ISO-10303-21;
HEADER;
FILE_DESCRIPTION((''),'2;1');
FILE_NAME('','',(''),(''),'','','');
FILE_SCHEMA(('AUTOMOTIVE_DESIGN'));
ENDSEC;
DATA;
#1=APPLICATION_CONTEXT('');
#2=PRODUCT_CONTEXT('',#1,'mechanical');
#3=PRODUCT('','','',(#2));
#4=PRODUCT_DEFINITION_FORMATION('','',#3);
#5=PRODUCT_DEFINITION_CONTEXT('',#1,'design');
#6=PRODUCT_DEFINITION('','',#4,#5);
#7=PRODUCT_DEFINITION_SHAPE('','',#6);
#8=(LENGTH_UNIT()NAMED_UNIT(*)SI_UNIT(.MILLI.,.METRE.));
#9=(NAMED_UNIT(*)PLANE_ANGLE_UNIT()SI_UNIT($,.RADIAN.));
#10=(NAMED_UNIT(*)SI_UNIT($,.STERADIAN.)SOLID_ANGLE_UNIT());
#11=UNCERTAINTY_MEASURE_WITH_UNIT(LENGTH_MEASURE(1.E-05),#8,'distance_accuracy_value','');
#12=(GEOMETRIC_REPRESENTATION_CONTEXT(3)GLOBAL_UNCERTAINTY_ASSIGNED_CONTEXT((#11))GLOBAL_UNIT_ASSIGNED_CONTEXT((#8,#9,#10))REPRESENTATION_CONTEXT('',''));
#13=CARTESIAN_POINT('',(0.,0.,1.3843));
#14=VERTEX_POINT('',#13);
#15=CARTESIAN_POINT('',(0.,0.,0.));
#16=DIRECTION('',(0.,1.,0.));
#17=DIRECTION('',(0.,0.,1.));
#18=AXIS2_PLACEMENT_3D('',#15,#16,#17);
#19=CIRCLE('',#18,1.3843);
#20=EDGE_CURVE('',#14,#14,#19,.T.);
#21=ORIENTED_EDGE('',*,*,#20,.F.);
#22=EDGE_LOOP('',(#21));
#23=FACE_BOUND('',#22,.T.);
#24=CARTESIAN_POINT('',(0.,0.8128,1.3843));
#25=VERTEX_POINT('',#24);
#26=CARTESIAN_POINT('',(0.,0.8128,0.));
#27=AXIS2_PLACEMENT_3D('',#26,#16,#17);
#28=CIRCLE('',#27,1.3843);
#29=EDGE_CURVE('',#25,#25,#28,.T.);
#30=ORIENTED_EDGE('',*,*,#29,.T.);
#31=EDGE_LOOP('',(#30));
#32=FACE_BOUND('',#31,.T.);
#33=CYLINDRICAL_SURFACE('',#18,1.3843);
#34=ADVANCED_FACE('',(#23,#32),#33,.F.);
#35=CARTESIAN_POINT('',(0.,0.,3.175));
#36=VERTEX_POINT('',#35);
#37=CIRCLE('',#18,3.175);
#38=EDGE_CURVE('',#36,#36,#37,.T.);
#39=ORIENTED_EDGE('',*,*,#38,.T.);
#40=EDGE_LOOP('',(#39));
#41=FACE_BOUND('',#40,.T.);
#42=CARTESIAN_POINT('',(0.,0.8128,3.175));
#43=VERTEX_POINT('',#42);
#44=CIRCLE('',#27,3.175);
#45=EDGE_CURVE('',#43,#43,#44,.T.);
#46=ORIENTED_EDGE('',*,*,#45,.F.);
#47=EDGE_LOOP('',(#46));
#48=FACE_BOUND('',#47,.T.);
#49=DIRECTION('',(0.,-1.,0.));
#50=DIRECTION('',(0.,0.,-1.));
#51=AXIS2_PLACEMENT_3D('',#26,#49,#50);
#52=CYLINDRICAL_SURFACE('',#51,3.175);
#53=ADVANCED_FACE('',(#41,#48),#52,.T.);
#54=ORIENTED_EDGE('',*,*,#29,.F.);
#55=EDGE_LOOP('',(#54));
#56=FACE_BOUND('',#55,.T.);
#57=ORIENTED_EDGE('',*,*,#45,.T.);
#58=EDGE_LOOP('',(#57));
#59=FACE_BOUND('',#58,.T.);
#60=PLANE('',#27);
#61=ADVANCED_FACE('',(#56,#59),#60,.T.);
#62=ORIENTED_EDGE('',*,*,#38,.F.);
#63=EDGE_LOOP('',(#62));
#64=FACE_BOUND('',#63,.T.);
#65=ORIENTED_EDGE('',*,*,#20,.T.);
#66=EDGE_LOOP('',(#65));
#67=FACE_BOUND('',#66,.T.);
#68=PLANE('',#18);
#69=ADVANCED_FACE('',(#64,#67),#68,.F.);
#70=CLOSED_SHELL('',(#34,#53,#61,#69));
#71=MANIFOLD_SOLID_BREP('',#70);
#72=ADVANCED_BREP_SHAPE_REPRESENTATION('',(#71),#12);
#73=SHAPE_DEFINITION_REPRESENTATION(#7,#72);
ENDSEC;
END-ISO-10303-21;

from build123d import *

# Parameters (mm, degrees)
SKETCH1_R           = 3.175
BOSS_EXTRUDE1_DEPTH = 0.8128
SKETCH5_R           = 1.3843
CUT_EXTRUDE1_DEPTH  = 1.8128


with BuildPart() as part:
    # Sketch1 → Boss-Extrude1 (new body)
    with BuildSketch(Plane(origin=(0, 0, 0), x_dir=(1, 0, 0), z_dir=(0, 1, 0))):
        Circle(SKETCH1_R)
    extrude(amount=BOSS_EXTRUDE1_DEPTH)

    # Sketch5 → Cut-Extrude1 (cut, through all)
    with BuildSketch(Plane(origin=(0, 0.8128, 0), x_dir=(-1, 0, 0), z_dir=(0, 1, 0))):
        Circle(SKETCH5_R)
    extrude(amount=-CUT_EXTRUDE1_DEPTH, mode=Mode.SUBTRACT)


solid = part.part
